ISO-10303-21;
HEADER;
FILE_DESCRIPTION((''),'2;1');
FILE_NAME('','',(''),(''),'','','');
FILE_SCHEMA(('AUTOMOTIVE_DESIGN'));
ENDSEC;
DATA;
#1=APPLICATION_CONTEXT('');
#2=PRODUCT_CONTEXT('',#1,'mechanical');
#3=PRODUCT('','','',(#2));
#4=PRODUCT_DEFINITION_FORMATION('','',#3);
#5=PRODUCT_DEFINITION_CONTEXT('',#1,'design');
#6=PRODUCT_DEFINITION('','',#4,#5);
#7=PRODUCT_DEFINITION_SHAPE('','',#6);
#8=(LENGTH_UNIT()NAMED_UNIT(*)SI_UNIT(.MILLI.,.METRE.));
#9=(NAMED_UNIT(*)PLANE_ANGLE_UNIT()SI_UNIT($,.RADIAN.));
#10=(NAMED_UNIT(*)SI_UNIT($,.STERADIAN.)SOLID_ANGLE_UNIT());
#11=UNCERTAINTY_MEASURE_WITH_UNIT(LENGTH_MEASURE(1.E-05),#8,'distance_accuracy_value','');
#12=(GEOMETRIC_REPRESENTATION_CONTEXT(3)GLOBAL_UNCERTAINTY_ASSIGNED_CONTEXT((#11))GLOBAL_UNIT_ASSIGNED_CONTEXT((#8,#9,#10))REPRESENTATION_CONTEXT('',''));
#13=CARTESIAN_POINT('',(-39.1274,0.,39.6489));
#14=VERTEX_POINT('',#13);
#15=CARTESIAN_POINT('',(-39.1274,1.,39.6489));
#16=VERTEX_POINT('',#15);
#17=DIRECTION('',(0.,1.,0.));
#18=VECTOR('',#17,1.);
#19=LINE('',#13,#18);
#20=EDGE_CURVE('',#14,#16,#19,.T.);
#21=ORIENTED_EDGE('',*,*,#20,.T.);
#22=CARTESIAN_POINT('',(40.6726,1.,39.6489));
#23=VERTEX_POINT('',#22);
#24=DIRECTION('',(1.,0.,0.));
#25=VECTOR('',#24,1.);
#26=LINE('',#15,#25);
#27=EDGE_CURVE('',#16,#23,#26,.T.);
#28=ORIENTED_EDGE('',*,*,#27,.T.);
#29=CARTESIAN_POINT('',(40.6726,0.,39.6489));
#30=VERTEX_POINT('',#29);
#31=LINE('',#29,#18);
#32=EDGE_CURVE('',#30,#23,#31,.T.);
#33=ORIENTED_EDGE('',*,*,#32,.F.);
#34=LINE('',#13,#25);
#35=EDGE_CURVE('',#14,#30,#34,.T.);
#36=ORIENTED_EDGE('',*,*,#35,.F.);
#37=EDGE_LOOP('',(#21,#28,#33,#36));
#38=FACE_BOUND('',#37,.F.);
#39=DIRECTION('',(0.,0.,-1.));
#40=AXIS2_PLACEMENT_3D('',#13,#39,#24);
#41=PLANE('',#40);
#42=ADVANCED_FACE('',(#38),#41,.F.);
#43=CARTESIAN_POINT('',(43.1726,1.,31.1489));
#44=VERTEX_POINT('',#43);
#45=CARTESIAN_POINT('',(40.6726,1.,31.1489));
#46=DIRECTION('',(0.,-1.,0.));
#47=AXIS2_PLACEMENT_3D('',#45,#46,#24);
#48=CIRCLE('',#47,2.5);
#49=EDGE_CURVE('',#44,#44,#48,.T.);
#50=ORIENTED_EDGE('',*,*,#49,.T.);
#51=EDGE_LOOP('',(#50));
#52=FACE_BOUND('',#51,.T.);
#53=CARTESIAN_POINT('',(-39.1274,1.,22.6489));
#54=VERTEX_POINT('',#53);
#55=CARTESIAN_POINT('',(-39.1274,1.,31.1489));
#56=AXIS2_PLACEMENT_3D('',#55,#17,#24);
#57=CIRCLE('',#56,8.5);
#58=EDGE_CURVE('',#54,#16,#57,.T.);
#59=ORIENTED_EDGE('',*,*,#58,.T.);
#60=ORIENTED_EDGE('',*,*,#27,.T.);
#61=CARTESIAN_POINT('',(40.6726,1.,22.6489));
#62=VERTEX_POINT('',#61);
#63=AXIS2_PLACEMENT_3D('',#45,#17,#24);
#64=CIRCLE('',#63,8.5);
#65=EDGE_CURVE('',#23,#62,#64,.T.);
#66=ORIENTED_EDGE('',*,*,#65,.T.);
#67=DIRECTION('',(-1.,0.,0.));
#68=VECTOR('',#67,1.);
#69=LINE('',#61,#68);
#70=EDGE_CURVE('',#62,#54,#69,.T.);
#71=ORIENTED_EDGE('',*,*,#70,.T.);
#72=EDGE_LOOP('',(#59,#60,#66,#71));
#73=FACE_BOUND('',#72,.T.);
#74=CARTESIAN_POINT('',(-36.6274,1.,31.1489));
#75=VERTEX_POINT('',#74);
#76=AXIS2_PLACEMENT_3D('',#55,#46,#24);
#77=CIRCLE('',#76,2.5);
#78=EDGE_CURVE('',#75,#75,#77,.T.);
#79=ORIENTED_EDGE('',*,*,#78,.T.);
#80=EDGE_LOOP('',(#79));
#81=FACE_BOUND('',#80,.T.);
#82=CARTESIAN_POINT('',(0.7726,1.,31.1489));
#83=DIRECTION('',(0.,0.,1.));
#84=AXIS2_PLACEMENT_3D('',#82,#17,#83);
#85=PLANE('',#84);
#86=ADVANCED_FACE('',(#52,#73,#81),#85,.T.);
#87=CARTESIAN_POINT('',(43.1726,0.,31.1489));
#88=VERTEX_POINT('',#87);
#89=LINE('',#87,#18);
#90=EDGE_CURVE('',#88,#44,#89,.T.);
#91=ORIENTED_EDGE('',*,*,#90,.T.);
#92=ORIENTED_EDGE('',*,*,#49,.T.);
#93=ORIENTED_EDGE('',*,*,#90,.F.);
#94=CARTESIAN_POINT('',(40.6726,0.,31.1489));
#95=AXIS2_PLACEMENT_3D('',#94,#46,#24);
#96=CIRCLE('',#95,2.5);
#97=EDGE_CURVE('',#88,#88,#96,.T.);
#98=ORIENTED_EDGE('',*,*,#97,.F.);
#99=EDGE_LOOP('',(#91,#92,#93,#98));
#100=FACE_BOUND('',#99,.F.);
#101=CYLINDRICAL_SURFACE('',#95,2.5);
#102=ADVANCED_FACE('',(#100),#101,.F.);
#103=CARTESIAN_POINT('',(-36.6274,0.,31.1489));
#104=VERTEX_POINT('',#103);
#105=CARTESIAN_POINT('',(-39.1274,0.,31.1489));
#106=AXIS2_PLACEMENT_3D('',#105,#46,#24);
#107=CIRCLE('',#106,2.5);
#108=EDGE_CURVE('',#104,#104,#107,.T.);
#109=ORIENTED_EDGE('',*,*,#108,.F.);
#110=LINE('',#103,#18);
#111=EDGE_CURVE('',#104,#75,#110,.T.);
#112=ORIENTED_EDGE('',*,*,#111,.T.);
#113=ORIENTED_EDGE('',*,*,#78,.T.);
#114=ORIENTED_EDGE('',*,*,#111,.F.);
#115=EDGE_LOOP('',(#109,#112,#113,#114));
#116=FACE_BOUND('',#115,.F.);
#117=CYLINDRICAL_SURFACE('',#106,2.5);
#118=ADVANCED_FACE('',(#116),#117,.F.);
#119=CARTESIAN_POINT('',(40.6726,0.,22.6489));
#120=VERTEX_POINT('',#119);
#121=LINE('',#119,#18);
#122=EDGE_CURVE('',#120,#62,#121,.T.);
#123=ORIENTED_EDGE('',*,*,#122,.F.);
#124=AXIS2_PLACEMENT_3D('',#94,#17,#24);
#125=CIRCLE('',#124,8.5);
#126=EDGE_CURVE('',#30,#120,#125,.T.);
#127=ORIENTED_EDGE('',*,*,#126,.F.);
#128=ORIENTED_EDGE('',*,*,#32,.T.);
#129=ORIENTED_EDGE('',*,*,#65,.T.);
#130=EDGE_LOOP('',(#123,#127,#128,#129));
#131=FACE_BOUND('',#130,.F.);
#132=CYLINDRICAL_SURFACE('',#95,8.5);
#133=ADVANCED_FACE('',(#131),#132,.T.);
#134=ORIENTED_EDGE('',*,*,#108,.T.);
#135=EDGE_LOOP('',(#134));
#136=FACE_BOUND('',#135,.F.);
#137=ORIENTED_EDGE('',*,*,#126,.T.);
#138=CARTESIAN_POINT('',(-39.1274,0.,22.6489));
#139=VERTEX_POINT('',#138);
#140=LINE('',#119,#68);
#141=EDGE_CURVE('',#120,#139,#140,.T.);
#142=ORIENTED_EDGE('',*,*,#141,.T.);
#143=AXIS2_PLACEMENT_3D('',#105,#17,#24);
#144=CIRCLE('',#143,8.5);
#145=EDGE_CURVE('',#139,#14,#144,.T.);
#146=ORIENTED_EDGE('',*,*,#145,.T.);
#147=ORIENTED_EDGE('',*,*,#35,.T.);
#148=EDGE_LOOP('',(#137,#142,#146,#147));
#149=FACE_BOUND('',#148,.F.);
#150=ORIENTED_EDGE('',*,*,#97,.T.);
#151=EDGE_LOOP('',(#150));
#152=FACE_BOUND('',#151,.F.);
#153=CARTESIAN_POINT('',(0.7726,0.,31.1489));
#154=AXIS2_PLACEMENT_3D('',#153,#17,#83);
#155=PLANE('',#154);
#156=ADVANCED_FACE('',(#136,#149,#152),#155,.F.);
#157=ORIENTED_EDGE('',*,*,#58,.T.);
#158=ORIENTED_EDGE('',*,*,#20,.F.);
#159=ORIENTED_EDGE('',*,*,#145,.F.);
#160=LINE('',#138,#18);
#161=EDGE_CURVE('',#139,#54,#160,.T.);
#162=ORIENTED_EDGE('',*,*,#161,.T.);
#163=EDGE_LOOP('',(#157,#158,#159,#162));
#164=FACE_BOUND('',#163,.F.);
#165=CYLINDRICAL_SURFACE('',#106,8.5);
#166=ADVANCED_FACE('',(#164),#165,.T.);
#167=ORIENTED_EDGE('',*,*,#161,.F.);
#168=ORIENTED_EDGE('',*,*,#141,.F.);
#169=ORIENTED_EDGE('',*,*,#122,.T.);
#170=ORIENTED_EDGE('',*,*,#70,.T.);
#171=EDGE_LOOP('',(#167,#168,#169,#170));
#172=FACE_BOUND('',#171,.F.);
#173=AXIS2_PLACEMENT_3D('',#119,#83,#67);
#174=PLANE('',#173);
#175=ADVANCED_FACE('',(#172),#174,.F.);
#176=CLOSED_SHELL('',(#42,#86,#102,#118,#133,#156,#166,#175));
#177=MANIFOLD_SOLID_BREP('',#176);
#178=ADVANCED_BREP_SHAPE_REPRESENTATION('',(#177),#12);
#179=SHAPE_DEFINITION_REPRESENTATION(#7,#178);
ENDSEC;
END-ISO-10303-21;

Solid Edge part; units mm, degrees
sketch "Sketch1" plane through (0, 0, 0) normal (0, -1, 0) x (1, 0, 0)
  circle A0 centre (-39.1274, 31.1489) radius 2.5
  line L0 (40.6726, 22.6489) -> (-39.1274, 22.6489)
  line L1 (-39.1274, 39.6489) -> (40.6726, 39.6489)
  arc A1 (-39.1274, 22.6489) -> (-39.1274, 39.6489) centre (-39.1274, 31.1489) cw
  arc A2 (40.6726, 39.6489) -> (40.6726, 22.6489) centre (40.6726, 31.1489) cw
  circle A3 centre (40.6726, 31.1489) radius 2.5
extrude "Protrusion1" add sketch "Sketch1" against normal blind 1
